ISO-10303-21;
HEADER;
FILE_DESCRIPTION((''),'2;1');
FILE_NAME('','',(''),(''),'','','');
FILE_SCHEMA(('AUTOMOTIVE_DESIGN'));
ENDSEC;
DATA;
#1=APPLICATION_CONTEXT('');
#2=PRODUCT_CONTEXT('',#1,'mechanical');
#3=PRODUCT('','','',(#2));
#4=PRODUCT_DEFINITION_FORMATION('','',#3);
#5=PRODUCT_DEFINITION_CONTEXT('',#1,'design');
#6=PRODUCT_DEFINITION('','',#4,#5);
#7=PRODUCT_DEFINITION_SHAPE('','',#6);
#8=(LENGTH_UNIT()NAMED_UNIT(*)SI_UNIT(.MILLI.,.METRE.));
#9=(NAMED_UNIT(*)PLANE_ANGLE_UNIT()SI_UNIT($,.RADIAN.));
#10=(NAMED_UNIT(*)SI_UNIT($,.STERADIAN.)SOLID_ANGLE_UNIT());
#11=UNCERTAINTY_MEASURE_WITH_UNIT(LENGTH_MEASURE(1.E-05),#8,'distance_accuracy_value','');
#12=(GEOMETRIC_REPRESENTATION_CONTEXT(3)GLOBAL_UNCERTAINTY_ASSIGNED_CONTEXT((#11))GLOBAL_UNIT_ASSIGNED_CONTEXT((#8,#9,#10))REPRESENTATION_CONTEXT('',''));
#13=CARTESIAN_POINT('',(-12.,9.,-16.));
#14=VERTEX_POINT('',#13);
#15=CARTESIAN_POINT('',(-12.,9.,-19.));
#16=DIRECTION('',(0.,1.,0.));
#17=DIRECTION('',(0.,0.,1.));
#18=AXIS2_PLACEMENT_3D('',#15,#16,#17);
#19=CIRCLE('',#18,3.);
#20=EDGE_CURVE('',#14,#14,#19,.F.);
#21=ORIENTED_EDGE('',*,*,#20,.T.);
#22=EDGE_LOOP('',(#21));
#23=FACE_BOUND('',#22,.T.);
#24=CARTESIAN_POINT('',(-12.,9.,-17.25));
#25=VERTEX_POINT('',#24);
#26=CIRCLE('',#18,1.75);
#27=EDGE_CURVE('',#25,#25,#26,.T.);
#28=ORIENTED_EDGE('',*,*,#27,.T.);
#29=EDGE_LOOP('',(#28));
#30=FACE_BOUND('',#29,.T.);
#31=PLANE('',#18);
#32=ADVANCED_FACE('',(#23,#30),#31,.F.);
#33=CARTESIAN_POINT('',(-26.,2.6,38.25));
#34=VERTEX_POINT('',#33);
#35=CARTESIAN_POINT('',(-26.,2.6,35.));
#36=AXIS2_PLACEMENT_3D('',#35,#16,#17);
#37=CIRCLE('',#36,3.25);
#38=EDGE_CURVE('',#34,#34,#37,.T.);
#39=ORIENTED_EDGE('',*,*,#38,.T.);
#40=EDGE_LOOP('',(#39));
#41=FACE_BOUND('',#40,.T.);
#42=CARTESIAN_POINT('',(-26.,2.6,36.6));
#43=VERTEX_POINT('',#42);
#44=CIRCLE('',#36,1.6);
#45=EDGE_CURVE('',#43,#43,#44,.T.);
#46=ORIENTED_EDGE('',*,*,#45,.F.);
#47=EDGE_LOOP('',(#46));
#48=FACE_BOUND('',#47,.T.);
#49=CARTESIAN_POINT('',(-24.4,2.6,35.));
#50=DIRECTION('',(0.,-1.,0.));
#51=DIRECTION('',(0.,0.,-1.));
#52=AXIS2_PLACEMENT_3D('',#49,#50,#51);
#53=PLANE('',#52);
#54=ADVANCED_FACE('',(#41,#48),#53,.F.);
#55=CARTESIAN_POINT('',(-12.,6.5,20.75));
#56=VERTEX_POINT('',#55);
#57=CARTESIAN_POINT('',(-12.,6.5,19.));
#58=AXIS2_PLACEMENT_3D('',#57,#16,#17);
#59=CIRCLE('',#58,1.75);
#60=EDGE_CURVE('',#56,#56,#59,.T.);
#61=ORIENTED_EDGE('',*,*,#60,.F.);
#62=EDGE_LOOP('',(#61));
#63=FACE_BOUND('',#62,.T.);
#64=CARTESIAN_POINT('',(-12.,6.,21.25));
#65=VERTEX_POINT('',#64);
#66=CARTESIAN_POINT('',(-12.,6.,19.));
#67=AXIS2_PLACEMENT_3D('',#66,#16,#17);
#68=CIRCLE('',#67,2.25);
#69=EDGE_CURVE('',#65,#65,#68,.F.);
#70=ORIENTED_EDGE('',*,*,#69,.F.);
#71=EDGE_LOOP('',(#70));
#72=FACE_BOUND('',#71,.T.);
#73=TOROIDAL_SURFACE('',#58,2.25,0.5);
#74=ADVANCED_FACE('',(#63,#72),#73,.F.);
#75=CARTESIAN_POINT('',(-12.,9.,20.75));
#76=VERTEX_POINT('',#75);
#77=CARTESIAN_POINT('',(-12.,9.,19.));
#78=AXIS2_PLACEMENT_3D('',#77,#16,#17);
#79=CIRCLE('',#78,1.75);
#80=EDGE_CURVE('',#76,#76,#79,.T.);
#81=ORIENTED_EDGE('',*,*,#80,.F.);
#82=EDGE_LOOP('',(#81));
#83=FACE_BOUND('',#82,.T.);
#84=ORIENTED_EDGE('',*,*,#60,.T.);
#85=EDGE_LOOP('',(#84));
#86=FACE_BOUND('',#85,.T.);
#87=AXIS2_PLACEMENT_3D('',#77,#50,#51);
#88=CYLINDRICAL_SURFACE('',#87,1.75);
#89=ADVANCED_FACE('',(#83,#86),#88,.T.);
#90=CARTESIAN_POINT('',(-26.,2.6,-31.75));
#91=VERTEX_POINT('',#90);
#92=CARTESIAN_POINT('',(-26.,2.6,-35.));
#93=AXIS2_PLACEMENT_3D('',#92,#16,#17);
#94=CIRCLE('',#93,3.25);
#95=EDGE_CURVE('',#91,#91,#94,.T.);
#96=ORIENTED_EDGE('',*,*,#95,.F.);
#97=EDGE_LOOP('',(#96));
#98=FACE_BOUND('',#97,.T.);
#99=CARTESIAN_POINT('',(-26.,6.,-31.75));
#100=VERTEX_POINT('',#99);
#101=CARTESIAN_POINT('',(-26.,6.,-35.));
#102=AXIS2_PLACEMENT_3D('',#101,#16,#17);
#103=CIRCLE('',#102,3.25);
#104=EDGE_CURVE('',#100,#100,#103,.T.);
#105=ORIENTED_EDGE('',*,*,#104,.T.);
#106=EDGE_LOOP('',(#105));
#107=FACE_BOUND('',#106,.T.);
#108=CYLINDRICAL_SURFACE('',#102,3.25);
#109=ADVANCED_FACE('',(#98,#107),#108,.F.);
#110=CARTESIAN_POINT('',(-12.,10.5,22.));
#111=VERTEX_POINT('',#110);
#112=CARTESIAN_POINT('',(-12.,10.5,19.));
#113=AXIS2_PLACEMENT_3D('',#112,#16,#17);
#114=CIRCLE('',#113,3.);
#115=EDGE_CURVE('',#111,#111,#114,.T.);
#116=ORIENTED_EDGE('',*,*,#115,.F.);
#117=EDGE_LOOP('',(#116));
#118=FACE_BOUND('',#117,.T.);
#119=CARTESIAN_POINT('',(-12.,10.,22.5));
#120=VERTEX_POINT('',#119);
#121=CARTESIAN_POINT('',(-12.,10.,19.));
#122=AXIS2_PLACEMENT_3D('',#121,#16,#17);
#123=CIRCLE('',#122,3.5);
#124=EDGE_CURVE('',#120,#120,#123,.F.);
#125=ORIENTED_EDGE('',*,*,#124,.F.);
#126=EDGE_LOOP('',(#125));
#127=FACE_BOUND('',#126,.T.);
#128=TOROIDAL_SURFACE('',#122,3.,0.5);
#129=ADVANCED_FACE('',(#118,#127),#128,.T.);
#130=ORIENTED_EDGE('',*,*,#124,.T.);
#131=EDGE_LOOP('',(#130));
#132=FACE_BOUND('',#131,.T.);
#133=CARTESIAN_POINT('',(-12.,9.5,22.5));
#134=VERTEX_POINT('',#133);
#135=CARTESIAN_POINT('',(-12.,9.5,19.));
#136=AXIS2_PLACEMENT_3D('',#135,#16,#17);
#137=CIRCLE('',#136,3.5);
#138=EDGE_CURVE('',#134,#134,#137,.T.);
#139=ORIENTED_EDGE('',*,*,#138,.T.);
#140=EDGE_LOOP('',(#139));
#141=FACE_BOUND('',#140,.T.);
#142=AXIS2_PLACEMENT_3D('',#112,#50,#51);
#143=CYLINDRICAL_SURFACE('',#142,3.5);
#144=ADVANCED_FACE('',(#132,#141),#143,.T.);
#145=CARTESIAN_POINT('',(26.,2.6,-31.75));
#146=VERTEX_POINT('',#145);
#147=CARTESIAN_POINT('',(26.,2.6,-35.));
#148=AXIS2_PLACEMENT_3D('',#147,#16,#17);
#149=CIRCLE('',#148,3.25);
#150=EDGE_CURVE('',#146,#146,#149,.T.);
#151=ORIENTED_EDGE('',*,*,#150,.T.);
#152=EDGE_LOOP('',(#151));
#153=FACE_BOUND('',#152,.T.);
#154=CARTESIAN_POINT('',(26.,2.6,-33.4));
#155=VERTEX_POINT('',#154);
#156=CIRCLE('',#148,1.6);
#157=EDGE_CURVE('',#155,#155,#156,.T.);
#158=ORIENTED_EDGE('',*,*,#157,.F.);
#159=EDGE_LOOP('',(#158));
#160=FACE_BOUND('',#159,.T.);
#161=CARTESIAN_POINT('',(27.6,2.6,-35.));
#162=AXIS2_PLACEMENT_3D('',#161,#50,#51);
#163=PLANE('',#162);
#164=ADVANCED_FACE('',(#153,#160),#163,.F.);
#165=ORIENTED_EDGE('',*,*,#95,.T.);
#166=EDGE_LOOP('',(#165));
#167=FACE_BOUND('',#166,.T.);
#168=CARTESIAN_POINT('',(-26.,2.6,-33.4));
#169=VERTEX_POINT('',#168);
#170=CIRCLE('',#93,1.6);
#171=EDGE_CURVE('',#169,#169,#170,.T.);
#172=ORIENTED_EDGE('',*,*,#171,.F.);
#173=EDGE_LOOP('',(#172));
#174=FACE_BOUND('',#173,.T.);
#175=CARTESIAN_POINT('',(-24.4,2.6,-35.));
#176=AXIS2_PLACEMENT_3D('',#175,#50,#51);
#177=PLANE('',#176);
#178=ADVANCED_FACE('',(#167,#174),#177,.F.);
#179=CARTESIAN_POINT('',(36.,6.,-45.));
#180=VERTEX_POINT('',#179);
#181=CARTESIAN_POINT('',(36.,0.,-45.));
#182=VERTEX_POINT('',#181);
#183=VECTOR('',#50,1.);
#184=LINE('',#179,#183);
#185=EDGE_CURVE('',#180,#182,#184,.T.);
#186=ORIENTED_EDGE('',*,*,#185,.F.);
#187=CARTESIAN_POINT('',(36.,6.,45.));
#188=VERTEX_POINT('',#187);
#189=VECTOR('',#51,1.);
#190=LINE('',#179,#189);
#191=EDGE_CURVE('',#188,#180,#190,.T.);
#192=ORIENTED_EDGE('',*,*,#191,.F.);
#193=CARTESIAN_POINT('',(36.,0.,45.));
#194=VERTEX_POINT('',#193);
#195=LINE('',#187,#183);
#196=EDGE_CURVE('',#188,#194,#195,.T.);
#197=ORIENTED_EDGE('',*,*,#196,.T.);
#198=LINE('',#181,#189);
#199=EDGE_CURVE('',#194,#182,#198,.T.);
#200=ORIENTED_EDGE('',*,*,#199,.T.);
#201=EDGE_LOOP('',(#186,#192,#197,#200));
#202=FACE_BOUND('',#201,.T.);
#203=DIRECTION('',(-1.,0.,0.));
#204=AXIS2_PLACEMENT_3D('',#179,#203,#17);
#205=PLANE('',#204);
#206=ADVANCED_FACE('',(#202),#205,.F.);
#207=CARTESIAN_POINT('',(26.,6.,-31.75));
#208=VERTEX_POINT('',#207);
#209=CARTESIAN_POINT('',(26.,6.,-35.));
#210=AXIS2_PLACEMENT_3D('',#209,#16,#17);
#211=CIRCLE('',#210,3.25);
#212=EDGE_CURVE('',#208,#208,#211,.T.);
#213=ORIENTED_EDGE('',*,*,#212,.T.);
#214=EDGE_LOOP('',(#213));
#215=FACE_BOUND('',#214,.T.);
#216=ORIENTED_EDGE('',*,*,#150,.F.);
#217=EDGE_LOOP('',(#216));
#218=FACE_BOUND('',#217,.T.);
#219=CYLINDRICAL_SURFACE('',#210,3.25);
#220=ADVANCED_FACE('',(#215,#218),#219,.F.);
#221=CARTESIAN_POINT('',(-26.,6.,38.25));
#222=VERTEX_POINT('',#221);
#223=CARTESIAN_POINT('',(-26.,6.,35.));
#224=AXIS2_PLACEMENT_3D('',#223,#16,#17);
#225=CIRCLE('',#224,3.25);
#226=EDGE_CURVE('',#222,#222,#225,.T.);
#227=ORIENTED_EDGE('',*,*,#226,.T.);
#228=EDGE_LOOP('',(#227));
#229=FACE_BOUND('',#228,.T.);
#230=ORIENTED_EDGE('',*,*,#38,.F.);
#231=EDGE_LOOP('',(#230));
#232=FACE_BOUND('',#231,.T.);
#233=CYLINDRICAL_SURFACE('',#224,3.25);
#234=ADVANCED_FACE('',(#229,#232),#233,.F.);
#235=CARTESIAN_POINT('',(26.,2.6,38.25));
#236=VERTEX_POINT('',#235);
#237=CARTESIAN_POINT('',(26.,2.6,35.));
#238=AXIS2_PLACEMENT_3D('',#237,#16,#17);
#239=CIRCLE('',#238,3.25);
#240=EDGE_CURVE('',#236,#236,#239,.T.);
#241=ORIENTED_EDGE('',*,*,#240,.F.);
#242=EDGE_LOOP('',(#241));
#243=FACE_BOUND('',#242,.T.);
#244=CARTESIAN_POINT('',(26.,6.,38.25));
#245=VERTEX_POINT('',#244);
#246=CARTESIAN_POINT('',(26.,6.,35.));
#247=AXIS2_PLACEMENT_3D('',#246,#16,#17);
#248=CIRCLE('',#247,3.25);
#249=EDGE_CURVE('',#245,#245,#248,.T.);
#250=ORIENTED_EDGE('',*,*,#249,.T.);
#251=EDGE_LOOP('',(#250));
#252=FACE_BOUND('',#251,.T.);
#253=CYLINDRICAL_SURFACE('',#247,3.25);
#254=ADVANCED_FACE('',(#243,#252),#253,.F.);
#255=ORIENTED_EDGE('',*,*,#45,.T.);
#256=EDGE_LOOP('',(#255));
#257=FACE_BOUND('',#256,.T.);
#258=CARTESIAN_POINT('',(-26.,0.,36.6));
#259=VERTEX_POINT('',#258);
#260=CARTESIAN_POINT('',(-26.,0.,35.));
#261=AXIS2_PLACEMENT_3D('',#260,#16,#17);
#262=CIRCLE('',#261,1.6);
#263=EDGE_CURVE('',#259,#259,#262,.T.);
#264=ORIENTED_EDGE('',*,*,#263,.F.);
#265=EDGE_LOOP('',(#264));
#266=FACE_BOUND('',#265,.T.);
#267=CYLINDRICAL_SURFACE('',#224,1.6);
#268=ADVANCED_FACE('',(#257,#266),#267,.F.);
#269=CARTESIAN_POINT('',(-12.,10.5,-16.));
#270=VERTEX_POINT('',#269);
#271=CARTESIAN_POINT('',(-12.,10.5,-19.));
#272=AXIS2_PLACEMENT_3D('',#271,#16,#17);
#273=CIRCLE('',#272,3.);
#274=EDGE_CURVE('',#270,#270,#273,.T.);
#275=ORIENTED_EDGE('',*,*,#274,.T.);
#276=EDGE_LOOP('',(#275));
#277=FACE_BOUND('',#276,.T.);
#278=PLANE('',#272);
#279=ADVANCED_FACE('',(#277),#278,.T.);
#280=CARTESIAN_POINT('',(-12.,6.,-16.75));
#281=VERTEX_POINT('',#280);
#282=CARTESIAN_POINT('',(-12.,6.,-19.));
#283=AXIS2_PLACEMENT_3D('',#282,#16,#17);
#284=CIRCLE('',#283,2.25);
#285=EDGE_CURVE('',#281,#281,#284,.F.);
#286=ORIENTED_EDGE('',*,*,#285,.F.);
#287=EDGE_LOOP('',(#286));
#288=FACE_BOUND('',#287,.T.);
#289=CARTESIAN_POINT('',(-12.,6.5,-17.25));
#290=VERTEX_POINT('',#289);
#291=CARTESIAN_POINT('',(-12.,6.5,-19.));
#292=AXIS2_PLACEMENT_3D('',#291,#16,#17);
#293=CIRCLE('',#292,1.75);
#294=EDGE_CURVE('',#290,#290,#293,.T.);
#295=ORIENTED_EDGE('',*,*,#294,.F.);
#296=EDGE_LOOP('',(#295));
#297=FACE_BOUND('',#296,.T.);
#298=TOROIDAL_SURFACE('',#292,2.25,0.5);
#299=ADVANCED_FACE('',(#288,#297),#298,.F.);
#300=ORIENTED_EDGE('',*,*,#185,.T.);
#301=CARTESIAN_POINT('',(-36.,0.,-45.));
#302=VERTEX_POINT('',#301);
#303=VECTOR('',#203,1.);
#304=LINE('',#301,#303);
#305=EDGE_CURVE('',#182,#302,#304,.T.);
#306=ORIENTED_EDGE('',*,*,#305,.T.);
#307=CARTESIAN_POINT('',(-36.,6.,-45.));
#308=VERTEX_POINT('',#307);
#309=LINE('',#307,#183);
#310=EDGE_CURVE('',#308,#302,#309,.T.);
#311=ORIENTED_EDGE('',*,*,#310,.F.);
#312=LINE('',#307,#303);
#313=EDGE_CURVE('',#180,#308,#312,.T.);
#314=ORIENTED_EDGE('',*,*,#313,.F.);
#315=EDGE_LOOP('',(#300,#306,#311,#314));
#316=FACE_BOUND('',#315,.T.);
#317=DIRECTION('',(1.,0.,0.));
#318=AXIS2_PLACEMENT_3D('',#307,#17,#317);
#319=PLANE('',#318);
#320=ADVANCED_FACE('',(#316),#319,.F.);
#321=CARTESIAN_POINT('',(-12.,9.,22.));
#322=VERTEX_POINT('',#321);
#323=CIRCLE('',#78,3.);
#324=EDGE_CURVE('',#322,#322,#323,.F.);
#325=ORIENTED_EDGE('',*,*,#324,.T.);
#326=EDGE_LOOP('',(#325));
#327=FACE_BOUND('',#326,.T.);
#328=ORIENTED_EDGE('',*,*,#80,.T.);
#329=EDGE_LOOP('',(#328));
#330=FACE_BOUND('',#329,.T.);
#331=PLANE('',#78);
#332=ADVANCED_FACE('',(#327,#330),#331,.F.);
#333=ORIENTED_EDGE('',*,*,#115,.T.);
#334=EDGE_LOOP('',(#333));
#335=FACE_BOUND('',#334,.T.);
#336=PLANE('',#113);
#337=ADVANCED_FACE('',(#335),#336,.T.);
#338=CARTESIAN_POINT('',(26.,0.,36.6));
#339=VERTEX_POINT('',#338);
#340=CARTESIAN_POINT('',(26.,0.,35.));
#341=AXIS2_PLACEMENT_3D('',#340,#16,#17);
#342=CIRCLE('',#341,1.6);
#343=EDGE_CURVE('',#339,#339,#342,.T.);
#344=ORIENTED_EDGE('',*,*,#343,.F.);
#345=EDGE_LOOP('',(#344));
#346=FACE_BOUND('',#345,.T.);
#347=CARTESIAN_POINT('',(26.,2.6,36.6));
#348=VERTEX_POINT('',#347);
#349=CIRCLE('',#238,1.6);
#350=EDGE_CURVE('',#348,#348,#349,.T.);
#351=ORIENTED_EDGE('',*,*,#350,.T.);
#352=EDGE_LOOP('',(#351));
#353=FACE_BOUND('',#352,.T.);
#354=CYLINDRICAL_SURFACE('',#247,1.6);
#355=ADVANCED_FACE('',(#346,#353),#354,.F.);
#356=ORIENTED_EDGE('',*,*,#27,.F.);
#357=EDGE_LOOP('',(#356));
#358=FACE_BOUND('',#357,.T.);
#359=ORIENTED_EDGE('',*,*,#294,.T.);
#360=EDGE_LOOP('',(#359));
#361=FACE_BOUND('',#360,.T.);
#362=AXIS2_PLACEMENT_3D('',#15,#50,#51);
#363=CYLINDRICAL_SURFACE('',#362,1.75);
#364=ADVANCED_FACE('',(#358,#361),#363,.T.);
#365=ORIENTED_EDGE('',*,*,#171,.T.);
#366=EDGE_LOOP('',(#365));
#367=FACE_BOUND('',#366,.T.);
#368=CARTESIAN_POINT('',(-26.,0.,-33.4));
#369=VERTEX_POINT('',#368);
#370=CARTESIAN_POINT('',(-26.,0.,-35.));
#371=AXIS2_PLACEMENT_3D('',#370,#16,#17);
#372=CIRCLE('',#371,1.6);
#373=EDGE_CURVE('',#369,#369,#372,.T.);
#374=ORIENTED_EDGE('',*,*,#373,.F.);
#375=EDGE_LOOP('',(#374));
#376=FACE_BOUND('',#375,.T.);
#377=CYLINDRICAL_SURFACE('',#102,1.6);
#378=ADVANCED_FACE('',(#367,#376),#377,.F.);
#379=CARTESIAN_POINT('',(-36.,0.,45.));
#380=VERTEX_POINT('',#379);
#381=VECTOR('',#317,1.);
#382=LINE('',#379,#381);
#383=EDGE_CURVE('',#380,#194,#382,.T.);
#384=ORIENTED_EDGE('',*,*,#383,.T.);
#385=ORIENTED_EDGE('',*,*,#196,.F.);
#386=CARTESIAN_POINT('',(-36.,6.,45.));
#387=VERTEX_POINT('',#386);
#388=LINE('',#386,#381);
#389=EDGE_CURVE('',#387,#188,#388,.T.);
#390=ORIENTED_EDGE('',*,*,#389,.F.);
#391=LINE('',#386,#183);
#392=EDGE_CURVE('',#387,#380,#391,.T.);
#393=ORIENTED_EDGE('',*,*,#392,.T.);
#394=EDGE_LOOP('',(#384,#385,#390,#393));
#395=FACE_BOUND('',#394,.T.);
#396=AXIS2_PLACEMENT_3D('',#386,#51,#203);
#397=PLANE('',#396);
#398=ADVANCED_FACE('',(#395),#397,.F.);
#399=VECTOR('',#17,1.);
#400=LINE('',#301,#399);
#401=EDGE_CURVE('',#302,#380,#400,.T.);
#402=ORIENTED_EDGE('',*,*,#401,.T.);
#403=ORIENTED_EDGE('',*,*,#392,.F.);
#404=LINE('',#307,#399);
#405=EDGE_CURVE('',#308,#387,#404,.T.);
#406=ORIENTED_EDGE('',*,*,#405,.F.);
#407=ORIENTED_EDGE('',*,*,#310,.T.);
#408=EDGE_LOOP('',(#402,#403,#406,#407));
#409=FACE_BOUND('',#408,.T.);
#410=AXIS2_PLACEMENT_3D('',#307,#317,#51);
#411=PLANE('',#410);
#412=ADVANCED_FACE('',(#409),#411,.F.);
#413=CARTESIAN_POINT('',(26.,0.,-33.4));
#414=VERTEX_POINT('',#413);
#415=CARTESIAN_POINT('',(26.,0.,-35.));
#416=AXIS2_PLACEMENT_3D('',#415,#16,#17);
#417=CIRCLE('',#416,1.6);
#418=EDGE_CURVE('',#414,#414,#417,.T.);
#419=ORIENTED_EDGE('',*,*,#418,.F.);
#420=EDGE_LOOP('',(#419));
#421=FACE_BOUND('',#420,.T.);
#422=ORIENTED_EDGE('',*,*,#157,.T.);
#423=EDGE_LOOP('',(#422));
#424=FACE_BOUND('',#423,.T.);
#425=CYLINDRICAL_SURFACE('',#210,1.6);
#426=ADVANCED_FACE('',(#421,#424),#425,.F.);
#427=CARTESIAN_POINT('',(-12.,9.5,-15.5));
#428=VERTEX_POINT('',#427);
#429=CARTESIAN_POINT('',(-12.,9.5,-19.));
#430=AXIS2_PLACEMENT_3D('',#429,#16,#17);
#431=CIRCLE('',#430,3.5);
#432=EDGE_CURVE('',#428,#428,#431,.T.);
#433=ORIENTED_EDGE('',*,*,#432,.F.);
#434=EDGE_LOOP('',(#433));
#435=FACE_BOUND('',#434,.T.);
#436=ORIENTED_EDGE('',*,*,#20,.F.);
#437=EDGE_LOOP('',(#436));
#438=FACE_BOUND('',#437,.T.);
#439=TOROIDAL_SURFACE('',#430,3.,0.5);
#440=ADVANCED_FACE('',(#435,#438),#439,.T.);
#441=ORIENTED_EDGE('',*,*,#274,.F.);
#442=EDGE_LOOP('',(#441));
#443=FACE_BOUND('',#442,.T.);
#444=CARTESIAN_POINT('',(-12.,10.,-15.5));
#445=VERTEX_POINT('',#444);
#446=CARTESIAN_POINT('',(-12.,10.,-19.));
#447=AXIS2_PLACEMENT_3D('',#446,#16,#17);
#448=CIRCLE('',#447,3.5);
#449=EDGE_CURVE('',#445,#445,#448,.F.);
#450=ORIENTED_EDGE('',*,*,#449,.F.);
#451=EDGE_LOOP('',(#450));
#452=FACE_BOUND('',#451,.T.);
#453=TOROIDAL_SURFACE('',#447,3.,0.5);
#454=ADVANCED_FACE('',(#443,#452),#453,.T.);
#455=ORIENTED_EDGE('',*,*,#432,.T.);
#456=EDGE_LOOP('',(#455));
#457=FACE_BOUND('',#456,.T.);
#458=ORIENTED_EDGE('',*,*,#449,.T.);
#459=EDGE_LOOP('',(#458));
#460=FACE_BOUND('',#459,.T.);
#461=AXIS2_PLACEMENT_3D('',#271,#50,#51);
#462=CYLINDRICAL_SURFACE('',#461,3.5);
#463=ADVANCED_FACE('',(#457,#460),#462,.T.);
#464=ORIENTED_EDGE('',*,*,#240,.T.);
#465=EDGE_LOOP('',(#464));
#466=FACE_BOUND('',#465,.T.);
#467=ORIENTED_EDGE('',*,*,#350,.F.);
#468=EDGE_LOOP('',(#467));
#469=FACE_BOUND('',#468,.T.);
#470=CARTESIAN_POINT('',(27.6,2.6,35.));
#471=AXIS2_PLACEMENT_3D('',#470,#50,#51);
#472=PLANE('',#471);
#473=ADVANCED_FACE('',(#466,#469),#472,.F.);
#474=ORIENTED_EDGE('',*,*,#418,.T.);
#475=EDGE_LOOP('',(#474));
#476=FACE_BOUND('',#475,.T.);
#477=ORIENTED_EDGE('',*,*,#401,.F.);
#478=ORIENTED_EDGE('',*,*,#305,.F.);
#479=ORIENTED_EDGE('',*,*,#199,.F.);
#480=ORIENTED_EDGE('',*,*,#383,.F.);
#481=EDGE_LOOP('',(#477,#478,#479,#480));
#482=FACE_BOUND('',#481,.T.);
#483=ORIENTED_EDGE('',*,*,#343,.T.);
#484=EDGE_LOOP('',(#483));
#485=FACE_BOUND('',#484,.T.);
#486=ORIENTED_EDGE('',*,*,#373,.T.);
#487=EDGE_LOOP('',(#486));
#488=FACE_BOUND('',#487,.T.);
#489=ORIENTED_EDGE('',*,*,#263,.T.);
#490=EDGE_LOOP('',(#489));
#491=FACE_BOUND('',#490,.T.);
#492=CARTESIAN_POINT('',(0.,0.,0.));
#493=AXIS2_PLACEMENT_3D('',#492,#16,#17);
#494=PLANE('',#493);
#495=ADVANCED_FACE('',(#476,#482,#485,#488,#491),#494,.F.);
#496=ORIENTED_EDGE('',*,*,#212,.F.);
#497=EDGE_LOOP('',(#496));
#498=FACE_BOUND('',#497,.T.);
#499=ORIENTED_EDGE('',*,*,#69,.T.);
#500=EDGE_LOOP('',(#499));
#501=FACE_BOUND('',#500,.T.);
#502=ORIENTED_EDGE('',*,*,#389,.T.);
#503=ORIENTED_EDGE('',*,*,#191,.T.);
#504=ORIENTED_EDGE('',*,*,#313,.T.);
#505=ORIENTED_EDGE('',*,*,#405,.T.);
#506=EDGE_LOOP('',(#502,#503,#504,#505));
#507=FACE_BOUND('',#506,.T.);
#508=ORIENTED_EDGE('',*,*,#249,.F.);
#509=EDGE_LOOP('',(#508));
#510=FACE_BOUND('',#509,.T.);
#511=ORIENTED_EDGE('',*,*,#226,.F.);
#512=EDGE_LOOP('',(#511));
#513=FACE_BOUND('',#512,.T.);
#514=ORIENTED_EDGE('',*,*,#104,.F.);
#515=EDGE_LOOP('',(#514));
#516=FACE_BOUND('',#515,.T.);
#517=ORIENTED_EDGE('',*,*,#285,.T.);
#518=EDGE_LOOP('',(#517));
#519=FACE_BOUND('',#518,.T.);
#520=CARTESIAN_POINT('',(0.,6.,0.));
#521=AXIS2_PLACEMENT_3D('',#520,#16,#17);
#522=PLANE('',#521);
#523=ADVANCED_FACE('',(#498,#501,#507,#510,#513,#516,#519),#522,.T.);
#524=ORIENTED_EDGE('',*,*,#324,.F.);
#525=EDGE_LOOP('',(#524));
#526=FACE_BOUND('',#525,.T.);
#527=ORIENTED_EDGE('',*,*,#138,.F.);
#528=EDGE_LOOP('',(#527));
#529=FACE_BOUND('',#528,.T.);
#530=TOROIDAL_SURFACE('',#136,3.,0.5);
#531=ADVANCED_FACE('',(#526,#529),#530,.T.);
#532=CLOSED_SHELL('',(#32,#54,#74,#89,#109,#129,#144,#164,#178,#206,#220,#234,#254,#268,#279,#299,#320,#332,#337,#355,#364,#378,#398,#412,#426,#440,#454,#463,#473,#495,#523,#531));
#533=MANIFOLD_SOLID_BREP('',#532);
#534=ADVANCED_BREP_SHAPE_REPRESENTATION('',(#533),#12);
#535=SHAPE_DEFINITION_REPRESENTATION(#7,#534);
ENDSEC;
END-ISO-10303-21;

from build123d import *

# Parameters (mm, degrees)
SZKIC1_W                                            = 72
SZKIC1_H                                            = 90
DODANIE_WYCI_GNI_CIE1_DEPTH                         = 6
SZKIC2_R                                            = 1.75
DODANIE_WYCI_GNI_CIE2_DEPTH                         = 3
DODANIE_WYCI_GNI_CIE3_START                         = 3
SZKIC2_5_R                                          = 3.5
DODANIE_WYCI_GNI_CIE3_DEPTH                         = 1.5
ZAOKR_GLENIE1_R                                     = 0.5
CBORE_FOR_M3_HEX_SOCKET_HEAD_CAP_SCREW1_D           = 3.2
CBORE_FOR_M3_HEX_SOCKET_HEAD_CAP_SCREW1_DEPTH       = 7.7
CBORE_FOR_M3_HEX_SOCKET_HEAD_CAP_SCREW1_CBORE_D     = 6.5
CBORE_FOR_M3_HEX_SOCKET_HEAD_CAP_SCREW1_CBORE_DEPTH = 3.4
CBORE_FOR_M3_HEX_SOCKET_HEAD_CAP_SCREW1_TIP         = 0.96137699


with BuildPart() as part:
    # Szkic1 → Dodanie-wyciągnięcie1 (new body)
    with BuildSketch(Plane(origin=(0, 0, 0), x_dir=(1, 0, 0), z_dir=(0, 1, 0))):
        Rectangle(SZKIC1_W, SZKIC1_H)
    extrude(amount=DODANIE_WYCI_GNI_CIE1_DEPTH)

    # Szkic2 → Dodanie-wyciągnięcie2 (add)
    with BuildSketch(Plane(origin=(0, 6, 0), x_dir=(1, 0, 0), z_dir=(0, 1, 0))):
        with Locations(Location((-12, -19, 0), (0, 0, 270))):
            Circle(SZKIC2_R)
        with Locations(Location((-12, 19, 0), (0, 0, 270))):
            Circle(SZKIC2_R)
    extrude(amount=DODANIE_WYCI_GNI_CIE2_DEPTH)

    # Szkic2<5> → Dodanie-wyciągnięcie3 (add)
    with BuildSketch(Plane(origin=(0, 6, 0), x_dir=(1, 0, 0), z_dir=(0, 1, 0)).offset(DODANIE_WYCI_GNI_CIE3_START)):
        with Locations(Location((-12, 19, 0), (0, 0, 270))):
            Circle(SZKIC2_5_R)
        with Locations(Location((-12, -19, 0), (0, 0, 270))):
            Circle(SZKIC2_5_R)
    extrude(amount=DODANIE_WYCI_GNI_CIE3_DEPTH)

    # Zaokrąglenie1
    zaokr_glenie1_edges = [part.edges().sort_by_distance(p)[0] for p in [
        (-12, 6, 17.25),
        (-12, 6, -20.75),
        (-12, 9, 15.5),
        (-12, 10.5, 15.5),
        (-12, 9, -22.5),
        (-12, 10.5, -22.5),
    ]]
    fillet(zaokr_glenie1_edges, radius=ZAOKR_GLENIE1_R)

    # CBORE for M3 Hex Socket Head Cap Screw1
    with Locations(Plane(origin=(0, 6, 0), x_dir=(1, 0, 0), z_dir=(0, 1, 0))):
        with Locations((-26, 35), (26, 35), (26, -35), (-26, -35)):
            CounterBoreHole(CBORE_FOR_M3_HEX_SOCKET_HEAD_CAP_SCREW1_D / 2, CBORE_FOR_M3_HEX_SOCKET_HEAD_CAP_SCREW1_CBORE_D / 2, CBORE_FOR_M3_HEX_SOCKET_HEAD_CAP_SCREW1_CBORE_DEPTH, depth=CBORE_FOR_M3_HEX_SOCKET_HEAD_CAP_SCREW1_DEPTH)
            with Locations((0, 0, -(CBORE_FOR_M3_HEX_SOCKET_HEAD_CAP_SCREW1_DEPTH + CBORE_FOR_M3_HEX_SOCKET_HEAD_CAP_SCREW1_TIP / 2))):  # 118° drill point
                Cone(0, CBORE_FOR_M3_HEX_SOCKET_HEAD_CAP_SCREW1_D / 2, CBORE_FOR_M3_HEX_SOCKET_HEAD_CAP_SCREW1_TIP, mode=Mode.SUBTRACT)


solid = part.part
